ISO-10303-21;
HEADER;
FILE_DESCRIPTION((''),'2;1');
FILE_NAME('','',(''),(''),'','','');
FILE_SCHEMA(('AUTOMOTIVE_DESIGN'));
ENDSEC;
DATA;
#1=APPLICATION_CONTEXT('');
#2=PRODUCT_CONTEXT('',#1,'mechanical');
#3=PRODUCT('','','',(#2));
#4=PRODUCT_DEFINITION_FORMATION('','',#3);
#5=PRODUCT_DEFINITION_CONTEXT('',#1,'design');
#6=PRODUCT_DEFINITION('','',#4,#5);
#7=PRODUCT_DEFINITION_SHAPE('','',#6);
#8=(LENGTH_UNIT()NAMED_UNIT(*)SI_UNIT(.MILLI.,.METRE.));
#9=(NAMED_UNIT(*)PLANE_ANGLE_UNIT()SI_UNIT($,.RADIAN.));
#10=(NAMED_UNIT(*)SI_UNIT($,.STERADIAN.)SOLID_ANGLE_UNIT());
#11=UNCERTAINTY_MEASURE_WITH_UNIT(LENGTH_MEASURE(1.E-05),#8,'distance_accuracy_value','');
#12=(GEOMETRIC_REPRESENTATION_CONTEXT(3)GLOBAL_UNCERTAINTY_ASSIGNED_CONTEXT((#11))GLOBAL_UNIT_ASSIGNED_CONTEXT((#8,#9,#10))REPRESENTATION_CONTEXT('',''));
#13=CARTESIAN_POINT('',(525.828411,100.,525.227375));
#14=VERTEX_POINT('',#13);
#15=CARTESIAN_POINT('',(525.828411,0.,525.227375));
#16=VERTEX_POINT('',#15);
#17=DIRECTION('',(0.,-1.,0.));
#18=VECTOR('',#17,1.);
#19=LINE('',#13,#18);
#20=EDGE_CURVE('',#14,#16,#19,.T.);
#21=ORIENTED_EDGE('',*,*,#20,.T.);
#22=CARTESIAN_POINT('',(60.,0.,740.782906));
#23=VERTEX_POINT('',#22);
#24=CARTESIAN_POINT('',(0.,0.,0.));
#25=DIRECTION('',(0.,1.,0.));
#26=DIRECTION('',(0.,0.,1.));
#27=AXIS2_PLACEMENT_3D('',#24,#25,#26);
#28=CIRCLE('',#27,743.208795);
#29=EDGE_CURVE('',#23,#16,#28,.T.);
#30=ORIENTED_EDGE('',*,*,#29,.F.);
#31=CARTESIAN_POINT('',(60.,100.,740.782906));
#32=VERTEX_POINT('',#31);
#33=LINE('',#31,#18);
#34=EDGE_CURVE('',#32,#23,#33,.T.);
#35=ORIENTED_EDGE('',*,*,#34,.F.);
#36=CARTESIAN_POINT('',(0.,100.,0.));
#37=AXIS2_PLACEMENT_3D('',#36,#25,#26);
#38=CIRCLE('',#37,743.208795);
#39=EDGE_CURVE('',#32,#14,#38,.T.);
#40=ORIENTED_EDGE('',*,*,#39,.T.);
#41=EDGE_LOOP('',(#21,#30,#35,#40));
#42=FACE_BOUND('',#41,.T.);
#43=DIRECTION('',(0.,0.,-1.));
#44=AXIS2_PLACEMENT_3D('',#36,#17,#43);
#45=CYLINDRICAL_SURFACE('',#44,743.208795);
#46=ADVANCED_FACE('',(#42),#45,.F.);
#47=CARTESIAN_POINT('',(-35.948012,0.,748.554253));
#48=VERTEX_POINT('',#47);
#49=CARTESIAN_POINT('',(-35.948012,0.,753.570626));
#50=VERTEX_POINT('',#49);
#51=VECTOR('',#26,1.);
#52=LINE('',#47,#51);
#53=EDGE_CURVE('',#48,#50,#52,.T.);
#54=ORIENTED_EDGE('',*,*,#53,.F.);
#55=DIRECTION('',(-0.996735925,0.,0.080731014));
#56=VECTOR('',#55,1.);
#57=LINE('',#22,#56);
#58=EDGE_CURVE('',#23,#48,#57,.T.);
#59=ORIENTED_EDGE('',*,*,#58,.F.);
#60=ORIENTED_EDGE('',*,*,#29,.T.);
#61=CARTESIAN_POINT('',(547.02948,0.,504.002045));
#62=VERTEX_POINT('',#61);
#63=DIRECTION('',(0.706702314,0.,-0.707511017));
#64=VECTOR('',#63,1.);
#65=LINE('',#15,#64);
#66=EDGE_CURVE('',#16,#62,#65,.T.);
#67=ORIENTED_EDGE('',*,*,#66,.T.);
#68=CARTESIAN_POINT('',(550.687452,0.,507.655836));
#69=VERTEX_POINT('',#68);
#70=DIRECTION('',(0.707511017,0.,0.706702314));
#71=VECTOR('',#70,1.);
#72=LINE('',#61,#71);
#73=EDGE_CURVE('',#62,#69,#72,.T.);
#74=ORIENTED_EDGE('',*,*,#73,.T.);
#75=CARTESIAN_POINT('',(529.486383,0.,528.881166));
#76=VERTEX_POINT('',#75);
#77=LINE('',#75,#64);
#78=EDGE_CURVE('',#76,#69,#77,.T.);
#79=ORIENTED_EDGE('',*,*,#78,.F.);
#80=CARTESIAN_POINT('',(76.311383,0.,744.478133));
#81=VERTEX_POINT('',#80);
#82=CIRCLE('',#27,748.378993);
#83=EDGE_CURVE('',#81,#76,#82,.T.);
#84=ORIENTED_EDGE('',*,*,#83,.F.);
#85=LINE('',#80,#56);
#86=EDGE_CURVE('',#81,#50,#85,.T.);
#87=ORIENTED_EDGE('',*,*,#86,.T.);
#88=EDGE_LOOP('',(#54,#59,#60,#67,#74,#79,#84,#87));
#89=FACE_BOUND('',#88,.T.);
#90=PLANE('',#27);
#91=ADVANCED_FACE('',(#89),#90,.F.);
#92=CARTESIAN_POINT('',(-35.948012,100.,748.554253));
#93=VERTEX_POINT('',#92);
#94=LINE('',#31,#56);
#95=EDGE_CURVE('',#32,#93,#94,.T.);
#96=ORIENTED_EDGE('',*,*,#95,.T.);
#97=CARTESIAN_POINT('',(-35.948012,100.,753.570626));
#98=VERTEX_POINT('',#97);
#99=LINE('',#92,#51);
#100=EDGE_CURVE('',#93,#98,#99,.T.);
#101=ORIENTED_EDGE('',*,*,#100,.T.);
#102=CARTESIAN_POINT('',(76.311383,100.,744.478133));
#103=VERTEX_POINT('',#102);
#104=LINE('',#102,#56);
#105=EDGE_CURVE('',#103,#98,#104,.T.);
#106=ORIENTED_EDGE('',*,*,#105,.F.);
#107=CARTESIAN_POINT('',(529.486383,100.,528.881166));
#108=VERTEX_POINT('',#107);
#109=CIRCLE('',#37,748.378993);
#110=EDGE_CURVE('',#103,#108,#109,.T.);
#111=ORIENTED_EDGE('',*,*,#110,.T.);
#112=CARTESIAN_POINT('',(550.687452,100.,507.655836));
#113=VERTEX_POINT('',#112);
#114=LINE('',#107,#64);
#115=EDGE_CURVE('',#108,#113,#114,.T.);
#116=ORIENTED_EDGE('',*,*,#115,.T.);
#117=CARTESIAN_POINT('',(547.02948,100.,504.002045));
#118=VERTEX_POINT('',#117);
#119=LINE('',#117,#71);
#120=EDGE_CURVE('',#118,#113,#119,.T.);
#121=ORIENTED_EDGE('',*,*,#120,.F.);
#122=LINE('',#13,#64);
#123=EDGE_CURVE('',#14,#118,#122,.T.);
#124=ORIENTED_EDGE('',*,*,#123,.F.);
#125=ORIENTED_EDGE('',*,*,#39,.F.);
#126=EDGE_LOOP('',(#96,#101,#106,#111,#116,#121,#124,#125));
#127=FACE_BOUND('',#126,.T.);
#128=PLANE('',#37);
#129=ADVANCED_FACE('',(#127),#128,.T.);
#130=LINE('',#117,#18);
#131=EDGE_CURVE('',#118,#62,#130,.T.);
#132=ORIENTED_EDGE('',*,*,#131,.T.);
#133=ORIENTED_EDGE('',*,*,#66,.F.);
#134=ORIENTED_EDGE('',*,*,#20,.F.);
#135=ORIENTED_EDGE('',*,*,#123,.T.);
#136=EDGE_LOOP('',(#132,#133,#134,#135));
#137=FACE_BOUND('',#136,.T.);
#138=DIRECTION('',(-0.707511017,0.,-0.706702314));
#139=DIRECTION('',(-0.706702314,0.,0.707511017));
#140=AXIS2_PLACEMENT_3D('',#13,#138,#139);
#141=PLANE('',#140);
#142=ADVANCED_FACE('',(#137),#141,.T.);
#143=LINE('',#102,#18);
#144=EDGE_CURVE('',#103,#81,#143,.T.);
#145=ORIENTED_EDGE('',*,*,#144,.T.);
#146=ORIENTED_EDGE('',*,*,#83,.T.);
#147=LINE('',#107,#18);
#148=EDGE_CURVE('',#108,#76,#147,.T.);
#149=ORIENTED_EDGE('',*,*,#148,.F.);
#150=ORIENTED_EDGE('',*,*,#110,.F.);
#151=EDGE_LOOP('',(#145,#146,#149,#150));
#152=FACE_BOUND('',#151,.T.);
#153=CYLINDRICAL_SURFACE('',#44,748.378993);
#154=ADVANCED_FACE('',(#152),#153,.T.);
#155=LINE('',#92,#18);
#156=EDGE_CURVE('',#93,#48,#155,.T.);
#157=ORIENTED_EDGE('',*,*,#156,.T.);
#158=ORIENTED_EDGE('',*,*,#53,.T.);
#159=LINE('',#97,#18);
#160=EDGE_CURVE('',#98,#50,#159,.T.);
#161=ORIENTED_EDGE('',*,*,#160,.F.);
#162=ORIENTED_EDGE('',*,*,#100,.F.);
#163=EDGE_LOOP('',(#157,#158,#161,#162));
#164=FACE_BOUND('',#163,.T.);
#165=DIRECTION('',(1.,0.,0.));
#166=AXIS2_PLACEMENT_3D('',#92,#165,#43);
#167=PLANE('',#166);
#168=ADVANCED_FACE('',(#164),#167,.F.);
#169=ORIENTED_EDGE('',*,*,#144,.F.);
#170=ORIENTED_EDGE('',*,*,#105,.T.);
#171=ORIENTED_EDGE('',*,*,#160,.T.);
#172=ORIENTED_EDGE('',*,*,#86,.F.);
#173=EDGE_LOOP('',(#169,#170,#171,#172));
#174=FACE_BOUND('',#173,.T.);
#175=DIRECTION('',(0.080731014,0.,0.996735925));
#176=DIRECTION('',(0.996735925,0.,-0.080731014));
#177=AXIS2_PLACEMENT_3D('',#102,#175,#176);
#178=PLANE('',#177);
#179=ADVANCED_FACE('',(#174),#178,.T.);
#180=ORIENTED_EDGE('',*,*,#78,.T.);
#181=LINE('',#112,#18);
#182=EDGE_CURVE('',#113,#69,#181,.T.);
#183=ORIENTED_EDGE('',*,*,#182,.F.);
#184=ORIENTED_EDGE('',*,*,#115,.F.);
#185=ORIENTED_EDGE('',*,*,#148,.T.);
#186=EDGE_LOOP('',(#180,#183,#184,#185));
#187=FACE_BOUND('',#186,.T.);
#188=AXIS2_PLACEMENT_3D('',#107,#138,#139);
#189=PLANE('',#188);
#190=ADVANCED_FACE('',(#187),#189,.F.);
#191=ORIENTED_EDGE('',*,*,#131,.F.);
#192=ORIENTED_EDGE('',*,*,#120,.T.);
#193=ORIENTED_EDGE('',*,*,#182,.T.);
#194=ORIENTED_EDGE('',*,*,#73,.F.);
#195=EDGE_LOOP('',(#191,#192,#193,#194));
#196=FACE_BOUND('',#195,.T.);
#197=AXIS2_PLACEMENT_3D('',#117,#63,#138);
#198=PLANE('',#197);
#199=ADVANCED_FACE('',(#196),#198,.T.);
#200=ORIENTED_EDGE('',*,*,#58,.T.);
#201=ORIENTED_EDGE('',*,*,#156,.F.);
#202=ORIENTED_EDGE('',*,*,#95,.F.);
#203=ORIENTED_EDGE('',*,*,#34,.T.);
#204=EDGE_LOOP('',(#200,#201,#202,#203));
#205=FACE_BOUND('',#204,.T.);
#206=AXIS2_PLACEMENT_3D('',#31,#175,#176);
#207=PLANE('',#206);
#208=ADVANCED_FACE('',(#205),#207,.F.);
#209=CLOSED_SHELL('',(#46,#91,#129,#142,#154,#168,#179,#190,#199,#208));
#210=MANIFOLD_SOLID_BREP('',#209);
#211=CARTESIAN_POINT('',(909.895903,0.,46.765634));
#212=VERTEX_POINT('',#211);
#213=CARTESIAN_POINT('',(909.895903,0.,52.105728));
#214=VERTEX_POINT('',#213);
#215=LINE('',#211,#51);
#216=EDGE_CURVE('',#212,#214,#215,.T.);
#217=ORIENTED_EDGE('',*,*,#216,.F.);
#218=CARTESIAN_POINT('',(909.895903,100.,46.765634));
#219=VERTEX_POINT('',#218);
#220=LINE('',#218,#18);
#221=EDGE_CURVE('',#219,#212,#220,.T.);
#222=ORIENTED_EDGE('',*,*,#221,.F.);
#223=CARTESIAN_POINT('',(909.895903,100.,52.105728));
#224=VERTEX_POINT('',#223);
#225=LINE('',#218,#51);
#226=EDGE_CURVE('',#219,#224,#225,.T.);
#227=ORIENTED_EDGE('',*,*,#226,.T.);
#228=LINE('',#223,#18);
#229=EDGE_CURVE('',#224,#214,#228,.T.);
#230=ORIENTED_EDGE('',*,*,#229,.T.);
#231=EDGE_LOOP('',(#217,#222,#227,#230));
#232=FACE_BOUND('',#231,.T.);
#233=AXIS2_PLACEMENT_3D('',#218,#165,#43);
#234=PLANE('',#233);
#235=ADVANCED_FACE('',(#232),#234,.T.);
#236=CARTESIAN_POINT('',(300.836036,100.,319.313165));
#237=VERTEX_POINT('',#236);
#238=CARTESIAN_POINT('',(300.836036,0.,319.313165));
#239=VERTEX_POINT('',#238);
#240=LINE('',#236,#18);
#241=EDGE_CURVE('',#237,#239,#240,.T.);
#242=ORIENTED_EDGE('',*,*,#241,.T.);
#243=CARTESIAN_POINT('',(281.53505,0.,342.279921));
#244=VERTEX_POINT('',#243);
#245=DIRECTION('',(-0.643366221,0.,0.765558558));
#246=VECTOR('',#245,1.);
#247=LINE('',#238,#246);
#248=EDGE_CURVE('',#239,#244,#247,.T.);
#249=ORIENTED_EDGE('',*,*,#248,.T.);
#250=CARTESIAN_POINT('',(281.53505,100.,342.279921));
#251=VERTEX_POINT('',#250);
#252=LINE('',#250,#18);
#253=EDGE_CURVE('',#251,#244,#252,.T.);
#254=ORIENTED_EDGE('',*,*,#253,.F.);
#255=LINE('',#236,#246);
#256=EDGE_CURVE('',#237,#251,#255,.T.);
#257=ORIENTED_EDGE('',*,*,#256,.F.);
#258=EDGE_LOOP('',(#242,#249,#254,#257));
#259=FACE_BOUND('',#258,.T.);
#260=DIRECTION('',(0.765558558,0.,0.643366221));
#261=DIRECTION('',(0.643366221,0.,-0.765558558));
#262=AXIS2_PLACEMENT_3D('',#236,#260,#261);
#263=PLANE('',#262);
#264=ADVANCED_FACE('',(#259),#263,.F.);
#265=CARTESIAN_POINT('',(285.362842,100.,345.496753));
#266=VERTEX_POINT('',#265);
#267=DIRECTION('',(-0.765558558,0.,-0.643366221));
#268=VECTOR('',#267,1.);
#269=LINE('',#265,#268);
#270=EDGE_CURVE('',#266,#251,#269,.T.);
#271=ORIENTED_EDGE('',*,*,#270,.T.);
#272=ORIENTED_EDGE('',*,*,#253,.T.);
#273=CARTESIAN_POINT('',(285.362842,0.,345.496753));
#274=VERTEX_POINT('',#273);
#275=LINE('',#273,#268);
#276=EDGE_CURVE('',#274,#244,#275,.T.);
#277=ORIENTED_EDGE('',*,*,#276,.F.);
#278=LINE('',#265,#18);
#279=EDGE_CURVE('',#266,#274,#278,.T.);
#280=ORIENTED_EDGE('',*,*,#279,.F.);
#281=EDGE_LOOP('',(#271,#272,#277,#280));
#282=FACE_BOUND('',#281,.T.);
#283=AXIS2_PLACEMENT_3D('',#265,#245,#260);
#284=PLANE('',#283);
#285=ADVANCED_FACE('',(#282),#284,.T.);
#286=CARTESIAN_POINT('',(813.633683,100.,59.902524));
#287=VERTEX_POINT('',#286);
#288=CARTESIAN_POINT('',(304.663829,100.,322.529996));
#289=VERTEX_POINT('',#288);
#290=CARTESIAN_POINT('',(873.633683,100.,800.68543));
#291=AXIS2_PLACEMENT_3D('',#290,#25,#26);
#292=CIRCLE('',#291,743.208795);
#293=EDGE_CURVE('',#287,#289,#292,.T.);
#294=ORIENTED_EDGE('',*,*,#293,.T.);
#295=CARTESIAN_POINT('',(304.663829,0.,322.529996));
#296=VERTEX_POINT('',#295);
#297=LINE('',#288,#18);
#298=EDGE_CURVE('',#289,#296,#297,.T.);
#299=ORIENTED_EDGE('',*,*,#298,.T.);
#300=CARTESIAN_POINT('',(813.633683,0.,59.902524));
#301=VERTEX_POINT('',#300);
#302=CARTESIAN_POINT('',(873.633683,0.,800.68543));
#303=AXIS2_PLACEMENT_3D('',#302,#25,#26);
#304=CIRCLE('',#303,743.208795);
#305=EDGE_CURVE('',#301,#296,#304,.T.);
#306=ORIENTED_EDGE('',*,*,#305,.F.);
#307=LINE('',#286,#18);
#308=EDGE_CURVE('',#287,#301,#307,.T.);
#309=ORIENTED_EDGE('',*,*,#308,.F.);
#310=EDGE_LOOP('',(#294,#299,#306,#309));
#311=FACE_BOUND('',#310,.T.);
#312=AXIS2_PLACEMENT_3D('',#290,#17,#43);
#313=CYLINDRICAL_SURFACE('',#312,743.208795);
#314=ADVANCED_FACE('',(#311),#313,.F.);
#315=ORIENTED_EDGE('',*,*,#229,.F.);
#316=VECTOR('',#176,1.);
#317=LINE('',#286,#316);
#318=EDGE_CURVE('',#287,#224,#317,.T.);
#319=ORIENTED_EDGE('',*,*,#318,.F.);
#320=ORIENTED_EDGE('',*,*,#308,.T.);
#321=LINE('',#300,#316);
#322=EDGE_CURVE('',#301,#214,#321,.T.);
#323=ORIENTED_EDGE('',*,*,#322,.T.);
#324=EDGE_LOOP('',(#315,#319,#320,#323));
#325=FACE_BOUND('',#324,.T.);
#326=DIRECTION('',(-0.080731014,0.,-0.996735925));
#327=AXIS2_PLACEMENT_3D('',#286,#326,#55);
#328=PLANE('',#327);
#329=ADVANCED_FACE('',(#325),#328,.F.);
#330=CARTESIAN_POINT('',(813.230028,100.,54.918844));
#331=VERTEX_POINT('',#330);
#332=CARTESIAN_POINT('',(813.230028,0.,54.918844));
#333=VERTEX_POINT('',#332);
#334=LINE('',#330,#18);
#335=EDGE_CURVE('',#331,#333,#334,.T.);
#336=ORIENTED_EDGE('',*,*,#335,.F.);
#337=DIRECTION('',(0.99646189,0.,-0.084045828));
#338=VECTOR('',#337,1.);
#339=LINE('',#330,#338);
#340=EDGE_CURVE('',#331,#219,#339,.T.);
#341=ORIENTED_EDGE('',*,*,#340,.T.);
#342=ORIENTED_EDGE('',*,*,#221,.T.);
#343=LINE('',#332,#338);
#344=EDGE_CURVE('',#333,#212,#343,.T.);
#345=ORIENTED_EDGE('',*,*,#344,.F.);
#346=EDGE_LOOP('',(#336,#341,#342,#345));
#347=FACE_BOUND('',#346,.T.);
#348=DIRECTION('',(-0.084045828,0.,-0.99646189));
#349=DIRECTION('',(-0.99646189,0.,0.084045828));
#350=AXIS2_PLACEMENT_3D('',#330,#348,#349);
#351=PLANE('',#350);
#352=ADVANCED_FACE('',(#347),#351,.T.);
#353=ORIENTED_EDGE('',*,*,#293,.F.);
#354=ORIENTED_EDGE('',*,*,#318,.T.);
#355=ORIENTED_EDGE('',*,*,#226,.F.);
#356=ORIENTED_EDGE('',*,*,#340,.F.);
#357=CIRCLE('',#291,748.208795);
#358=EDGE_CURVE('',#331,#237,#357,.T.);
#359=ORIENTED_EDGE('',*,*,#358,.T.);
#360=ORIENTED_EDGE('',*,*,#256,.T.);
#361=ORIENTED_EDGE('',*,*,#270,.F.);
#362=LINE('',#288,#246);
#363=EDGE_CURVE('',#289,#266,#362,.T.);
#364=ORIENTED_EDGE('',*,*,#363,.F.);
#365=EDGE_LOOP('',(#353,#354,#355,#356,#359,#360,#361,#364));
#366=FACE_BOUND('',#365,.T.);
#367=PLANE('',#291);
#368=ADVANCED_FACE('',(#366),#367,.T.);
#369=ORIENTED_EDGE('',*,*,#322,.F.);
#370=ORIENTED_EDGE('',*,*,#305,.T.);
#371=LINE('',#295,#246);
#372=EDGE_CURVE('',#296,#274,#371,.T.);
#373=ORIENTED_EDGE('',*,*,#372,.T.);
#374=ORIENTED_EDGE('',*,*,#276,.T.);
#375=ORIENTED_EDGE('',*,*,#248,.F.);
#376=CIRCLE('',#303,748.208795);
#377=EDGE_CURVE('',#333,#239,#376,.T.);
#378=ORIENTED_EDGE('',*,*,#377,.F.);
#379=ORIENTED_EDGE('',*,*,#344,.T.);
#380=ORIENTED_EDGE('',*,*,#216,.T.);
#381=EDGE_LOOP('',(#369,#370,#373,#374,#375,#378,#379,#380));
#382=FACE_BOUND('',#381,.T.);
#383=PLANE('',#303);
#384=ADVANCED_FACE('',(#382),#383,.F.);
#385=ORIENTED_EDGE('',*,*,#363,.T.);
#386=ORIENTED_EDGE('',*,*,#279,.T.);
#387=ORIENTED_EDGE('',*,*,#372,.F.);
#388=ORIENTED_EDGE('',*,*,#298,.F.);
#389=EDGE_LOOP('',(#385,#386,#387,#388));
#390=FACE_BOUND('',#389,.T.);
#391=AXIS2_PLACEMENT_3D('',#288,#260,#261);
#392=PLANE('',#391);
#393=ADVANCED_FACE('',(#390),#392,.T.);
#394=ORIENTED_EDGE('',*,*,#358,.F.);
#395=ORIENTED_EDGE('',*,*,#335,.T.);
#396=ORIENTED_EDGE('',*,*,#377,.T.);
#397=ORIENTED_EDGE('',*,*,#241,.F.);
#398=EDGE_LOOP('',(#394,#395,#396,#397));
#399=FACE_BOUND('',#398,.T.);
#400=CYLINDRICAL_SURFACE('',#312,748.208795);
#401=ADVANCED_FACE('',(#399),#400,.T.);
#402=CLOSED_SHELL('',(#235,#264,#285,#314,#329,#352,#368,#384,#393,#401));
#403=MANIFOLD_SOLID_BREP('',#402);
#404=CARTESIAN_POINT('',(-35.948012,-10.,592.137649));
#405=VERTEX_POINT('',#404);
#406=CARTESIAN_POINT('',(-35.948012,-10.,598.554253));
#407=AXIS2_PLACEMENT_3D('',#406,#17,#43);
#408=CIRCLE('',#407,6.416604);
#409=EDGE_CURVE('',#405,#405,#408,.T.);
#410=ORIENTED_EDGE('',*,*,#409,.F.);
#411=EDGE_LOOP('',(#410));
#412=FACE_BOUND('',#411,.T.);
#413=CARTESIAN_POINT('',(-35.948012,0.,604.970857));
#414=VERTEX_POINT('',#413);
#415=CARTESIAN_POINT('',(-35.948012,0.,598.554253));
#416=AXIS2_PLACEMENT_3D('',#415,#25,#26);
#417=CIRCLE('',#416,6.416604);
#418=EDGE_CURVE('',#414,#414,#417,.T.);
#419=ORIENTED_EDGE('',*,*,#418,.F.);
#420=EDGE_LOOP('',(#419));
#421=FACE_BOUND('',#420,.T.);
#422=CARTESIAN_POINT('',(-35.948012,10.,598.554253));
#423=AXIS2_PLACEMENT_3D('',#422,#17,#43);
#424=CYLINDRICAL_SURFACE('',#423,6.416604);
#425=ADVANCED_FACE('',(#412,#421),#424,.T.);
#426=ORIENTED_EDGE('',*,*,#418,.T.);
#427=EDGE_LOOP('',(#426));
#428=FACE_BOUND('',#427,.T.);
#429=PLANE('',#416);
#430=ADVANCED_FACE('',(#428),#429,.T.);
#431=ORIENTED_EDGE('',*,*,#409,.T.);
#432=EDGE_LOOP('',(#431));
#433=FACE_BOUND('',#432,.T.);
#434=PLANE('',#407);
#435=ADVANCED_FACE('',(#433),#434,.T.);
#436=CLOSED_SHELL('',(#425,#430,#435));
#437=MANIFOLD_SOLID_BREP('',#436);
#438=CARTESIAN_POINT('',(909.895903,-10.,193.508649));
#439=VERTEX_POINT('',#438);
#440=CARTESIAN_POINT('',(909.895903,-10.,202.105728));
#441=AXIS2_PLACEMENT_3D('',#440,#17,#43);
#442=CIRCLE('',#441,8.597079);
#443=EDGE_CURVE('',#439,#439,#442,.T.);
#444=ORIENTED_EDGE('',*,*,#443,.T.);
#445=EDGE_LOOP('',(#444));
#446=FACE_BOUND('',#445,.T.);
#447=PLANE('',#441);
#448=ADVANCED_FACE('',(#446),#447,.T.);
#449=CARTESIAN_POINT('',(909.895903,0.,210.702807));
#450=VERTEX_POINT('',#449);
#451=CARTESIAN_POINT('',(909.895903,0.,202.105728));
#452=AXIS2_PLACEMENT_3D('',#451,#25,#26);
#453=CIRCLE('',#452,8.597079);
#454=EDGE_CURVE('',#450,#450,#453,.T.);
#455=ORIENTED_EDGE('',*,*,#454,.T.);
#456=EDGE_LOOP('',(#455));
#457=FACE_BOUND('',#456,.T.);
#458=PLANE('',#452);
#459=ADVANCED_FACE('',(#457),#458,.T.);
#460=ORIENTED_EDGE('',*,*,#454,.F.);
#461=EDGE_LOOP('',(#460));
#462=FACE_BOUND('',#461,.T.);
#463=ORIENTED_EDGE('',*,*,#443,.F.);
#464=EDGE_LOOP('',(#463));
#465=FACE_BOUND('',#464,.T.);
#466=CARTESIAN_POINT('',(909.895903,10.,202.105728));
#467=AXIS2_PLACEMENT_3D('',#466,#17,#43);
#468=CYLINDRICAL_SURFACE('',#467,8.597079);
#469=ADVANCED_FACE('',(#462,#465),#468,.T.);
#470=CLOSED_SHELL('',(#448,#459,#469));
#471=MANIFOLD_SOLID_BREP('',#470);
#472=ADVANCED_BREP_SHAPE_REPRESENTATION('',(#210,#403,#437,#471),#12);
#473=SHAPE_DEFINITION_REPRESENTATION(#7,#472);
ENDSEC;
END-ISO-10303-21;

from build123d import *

# Parameters (mm, degrees)
BOSS_EXTRUDE3_DEPTH   = 100
BOSS_EXTRUDE3_2_DEPTH = 100
SKETCH4_R             = 8.59707886
BOSS_EXTRUDE4_DEPTH   = 10
SKETCH4_R_2           = 6.416603948
BOSS_EXTRUDE4_2_DEPTH = 10
SKETCH5_R             = 6.416603948
BOSS_EXTRUDE5_DEPTH   = 10
SKETCH6_R             = 6.416603948
CUT_EXTRUDE1_DEPTH    = 10
SKETCH7_R             = 8.59707886
BOSS_EXTRUDE6_DEPTH   = 10
SKETCH8_R             = 8.59707886
CUT_EXTRUDE2_DEPTH    = 10


with BuildPart() as part:
    # Sketch1 → Boss-Extrude3 (new body)
    with BuildSketch(Plane(origin=(0, 0, 0), x_dir=(1, 0, 0), z_dir=(0, 1, 0))):
        with BuildLine():
            Line((300.836036259, -319.313164732), (281.535049643, -342.279921484))
            Line((281.535049643, -342.279921484), (285.362842435, -345.496752586))
            Line((285.362842435, -345.496752586), (304.663829051, -322.529995835))
            ThreePointArc((304.663829051, -322.529995835), (532.834524357, -140.219497818), (813.63368311, -59.90252372))
            Line((813.63368311, -59.90252372), (909.895902728, -52.105727748))
            Line((909.895902728, -52.105727748), (909.895902728, -46.76563371))
            Line((909.895902728, -46.76563371), (813.230028037, -54.918844097))
            ThreePointArc((813.230028037, -54.918844097), (530.541769207, -135.776157428), (300.836036259, -319.313164732))
        make_face()
    extrude(amount=BOSS_EXTRUDE3_DEPTH)


with BuildPart() as body_2:
    # Sketch1 → Boss-Extrude3 2 (new body)
    with BuildSketch(Plane(origin=(0, 0, 0), x_dir=(1, 0, 0), z_dir=(0, 1, 0))):
        with BuildLine():
            Line((529.486382869, -528.881166176), (550.687452284, -507.655835657))
            Line((550.687452284, -507.655835657), (547.029480395, -504.002044924))
            Line((547.029480395, -504.002044924), (525.82841098, -525.227375443))
            ThreePointArc((525.82841098, -525.227375443), (312.113406405, -674.495763701), (60, -740.782905924))
            Line((60, -740.782905924), (-35.948012473, -748.554252566))
            Line((-35.948012473, -748.554252566), (-35.948012473, -753.570626388))
            Line((-35.948012473, -753.570626388), (76.311382936, -744.478132932))
            ThreePointArc((76.311382936, -744.478132932), (321.509325343, -675.797951534), (529.486382869, -528.881166176))
        make_face()
    extrude(amount=BOSS_EXTRUDE3_2_DEPTH)


with BuildPart() as body_3:
    # Sketch4 → Boss-Extrude4 (new body)
    with BuildSketch(Plane.XZ):
        with Locations(Location((909.895902728, 202.105727748, 0), (0, 0, 270))):
            Circle(SKETCH4_R)
    extrude(amount=-BOSS_EXTRUDE4_DEPTH)

    # Sketch7 → Boss-Extrude6 (add)
    with BuildSketch(Plane.XZ):
        with Locations(Location((909.895902728, 202.105727748, 0), (0, 0, 270))):
            Circle(SKETCH7_R)
    extrude(amount=BOSS_EXTRUDE6_DEPTH)

    # Sketch8 → Cut-Extrude2 (cut)
    with BuildSketch(Plane(origin=(0, 10, 0), x_dir=(1, 0, 0), z_dir=(0, 1, 0))):
        with Locations(Location((909.895902728, -202.105727748, 0), (0, 0, 90))):
            Circle(SKETCH8_R)
    extrude(amount=-CUT_EXTRUDE2_DEPTH, mode=Mode.SUBTRACT)


with BuildPart() as body_4:
    # Sketch4 → Boss-Extrude4 2 (new body)
    with BuildSketch(Plane.XZ):
        with Locations(Location((-35.948012473, 598.554252566, 0), (0, 0, 270))):
            Circle(SKETCH4_R_2)
    extrude(amount=-BOSS_EXTRUDE4_2_DEPTH)

    # Sketch5 → Boss-Extrude5 (add)
    with BuildSketch(Plane.XZ):
        with Locations(Location((-35.948012473, 598.554252566, 0), (0, 0, 270))):
            Circle(SKETCH5_R)
    extrude(amount=BOSS_EXTRUDE5_DEPTH)

    # Sketch6 → Cut-Extrude1 (cut)
    with BuildSketch(Plane(origin=(0, 10, 0), x_dir=(1, 0, 0), z_dir=(0, 1, 0))):
        with Locations(Location((-35.948012473, -598.554252566, 0), (0, 0, 90))):
            Circle(SKETCH6_R)
    extrude(amount=-CUT_EXTRUDE1_DEPTH, mode=Mode.SUBTRACT)


solid = Compound([part.part, body_2.part, body_3.part, body_4.part])
